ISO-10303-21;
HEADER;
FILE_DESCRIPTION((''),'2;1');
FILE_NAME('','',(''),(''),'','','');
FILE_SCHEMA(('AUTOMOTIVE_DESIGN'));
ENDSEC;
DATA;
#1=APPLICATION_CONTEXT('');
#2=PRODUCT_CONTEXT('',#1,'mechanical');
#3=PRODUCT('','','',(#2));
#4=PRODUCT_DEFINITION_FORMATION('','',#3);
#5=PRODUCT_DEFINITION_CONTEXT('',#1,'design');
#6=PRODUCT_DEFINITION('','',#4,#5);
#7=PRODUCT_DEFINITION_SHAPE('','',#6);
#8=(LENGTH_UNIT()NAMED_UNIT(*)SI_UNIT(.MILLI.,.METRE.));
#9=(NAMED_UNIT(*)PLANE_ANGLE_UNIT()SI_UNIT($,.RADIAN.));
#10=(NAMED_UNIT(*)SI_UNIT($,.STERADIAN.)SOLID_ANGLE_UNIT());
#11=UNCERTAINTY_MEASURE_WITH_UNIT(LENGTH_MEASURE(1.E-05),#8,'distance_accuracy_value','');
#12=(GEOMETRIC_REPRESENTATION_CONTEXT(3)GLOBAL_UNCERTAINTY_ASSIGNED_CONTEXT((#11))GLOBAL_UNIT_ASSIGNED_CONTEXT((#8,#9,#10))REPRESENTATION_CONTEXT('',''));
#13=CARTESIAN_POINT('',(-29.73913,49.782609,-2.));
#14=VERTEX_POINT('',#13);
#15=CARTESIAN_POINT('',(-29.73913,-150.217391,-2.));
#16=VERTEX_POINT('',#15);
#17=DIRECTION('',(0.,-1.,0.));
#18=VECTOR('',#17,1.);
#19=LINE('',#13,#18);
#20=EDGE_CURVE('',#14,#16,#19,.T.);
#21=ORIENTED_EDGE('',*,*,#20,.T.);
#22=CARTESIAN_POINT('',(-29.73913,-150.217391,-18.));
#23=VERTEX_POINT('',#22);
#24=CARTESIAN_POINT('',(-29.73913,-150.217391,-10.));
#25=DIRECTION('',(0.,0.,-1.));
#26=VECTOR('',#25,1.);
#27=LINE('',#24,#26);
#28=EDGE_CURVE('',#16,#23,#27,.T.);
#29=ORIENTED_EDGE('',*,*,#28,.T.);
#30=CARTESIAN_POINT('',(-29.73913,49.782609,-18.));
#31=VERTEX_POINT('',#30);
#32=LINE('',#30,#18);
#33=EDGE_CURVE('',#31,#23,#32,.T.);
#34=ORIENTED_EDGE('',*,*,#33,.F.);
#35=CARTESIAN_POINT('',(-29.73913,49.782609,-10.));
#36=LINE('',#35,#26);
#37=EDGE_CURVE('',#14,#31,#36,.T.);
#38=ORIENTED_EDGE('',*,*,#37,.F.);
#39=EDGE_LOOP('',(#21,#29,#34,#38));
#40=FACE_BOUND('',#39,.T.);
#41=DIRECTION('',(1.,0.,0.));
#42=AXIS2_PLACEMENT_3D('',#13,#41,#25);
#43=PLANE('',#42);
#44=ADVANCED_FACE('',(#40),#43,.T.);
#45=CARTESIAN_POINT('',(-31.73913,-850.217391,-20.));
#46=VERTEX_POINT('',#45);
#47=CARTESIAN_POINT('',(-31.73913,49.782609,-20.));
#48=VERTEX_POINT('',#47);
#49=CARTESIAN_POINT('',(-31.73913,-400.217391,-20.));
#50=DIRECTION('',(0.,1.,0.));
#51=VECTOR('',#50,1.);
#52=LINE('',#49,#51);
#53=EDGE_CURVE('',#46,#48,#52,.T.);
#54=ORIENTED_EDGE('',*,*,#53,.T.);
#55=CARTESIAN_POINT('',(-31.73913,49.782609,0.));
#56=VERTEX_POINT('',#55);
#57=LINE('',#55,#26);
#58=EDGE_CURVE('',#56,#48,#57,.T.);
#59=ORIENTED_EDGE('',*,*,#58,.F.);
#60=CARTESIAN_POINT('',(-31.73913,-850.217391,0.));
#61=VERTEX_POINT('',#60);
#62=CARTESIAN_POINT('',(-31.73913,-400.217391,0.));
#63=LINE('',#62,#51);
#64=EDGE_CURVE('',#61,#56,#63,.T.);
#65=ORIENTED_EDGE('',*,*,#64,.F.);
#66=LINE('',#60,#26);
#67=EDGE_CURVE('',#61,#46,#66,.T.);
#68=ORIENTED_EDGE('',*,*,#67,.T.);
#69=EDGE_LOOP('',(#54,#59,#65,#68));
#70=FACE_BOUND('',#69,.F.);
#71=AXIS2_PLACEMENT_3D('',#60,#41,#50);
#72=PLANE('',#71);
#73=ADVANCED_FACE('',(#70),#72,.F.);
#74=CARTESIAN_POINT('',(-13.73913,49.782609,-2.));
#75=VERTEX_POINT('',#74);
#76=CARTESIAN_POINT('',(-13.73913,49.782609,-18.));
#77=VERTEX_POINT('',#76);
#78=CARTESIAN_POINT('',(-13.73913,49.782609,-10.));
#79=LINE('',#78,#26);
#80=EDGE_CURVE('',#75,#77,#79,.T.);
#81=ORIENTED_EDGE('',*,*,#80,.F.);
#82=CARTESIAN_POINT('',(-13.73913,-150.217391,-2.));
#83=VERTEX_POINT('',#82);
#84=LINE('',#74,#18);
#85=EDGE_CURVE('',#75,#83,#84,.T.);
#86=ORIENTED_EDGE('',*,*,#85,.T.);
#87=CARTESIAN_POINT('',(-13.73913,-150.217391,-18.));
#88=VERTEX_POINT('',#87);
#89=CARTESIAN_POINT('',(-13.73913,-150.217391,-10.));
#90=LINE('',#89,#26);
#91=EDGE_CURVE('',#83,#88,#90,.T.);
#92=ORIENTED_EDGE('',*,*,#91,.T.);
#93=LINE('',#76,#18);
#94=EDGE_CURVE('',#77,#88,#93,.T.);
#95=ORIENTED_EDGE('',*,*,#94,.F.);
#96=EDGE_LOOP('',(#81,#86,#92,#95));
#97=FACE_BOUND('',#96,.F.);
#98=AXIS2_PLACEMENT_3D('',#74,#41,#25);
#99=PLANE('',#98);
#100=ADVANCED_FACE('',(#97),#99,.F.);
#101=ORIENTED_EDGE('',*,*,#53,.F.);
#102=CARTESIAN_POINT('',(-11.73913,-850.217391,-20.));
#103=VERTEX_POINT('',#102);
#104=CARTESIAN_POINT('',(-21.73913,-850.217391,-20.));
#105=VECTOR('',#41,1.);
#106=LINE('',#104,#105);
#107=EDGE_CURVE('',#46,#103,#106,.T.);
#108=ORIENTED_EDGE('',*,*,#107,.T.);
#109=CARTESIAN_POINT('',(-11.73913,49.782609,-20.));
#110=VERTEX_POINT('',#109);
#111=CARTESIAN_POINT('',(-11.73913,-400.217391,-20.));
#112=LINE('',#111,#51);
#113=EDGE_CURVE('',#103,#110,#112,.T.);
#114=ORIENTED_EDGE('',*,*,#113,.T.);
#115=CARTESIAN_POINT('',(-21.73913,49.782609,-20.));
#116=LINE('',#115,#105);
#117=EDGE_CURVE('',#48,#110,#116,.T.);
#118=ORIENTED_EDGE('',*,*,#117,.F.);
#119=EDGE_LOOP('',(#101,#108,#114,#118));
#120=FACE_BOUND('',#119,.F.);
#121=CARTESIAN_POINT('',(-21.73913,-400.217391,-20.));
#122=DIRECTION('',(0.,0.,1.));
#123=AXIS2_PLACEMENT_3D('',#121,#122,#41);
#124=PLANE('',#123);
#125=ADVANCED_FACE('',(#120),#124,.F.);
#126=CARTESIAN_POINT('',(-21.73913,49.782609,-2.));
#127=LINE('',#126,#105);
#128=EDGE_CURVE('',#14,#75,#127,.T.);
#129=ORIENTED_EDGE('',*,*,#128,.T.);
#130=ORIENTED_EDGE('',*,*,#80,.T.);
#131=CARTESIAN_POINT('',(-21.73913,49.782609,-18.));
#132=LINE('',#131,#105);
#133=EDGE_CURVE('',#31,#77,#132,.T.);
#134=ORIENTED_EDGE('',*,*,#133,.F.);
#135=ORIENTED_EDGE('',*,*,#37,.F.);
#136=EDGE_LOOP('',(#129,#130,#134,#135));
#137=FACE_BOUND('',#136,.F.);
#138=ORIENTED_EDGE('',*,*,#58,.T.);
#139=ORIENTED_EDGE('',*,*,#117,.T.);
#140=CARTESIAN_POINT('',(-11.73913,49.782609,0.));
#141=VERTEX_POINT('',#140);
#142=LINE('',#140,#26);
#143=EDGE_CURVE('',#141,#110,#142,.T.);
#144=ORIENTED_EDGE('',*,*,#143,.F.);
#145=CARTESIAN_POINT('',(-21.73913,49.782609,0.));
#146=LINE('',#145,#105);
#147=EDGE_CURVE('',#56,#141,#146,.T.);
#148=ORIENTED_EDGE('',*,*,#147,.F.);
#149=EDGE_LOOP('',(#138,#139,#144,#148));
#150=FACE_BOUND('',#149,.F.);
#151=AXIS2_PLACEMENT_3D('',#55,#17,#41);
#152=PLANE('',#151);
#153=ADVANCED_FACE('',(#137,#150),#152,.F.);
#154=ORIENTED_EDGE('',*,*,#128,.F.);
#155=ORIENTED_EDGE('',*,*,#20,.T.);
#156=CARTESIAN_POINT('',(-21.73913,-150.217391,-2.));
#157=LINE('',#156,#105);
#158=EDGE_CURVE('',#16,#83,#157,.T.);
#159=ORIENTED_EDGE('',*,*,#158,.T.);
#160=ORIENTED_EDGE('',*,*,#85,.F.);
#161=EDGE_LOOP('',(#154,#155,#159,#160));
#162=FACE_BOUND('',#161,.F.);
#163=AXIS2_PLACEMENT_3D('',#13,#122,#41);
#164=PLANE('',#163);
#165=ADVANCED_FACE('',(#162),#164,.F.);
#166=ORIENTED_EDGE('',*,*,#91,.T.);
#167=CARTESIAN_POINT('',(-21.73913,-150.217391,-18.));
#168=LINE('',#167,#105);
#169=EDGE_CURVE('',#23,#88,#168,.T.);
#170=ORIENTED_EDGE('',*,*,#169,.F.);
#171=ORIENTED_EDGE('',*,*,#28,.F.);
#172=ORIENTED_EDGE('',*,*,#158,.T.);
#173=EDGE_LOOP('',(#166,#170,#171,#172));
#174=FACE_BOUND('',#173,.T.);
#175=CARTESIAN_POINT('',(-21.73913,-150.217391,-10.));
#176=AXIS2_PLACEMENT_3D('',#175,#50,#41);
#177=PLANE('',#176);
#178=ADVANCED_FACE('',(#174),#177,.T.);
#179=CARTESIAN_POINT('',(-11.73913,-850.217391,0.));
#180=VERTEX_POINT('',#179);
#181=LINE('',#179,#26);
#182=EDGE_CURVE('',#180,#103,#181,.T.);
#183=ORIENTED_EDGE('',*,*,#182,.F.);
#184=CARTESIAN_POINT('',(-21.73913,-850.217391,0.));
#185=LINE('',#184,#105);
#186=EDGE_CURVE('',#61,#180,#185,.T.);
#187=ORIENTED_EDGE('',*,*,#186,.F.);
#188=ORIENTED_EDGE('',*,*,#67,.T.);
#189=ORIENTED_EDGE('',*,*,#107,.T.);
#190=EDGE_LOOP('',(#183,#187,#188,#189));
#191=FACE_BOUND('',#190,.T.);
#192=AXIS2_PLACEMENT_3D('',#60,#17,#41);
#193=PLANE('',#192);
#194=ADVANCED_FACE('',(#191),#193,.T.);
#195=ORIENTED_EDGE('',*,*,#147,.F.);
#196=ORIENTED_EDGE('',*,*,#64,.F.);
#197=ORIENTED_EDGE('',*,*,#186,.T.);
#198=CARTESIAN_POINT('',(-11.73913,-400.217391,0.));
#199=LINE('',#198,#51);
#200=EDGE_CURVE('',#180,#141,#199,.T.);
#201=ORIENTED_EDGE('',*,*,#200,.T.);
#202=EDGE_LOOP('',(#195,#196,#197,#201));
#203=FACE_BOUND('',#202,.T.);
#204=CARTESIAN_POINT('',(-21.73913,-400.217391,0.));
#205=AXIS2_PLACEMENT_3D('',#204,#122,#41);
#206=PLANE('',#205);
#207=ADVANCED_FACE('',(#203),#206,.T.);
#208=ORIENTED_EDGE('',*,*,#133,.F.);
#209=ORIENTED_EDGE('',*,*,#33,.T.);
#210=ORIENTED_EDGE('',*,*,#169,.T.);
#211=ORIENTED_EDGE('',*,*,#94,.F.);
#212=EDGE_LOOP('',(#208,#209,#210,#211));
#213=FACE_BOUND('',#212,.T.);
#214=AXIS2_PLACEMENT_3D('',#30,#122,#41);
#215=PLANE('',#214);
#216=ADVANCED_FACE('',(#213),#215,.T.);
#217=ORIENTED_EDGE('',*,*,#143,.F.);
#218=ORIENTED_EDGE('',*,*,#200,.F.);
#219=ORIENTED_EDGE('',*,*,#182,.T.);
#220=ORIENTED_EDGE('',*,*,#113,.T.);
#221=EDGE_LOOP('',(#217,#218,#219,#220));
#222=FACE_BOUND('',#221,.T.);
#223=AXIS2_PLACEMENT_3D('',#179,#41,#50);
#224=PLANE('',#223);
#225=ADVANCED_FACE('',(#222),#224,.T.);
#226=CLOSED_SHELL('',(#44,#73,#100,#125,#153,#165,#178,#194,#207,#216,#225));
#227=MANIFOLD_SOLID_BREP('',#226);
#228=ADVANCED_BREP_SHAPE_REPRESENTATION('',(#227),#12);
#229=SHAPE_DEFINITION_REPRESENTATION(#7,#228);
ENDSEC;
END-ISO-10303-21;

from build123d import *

# Parameters (mm, degrees)
SKETCH1_W           = 20
SKETCH1_H           = 900
BOSS_EXTRUDE1_DEPTH = 20
SKETCH2_W           = 16
SKETCH2_H           = 16
CUT_EXTRUDE1_DEPTH  = 200


with BuildPart() as part:
    # Sketch1 → Boss-Extrude1 (new body)
    with BuildSketch(Plane.XY):
        with Locations((-21.739130435, -400.217391304)):
            Rectangle(SKETCH1_W, SKETCH1_H)
    extrude(amount=-BOSS_EXTRUDE1_DEPTH)

    # Sketch2 → Cut-Extrude1 (cut)
    with BuildSketch(Plane(origin=(0, 49.782608696, 0), x_dir=(1, 0, 0), z_dir=(0, 1, 0))):
        with Locations((-21.739130435, 10)):
            Rectangle(SKETCH2_W, SKETCH2_H)
    extrude(amount=-CUT_EXTRUDE1_DEPTH, mode=Mode.SUBTRACT)


solid = part.part
